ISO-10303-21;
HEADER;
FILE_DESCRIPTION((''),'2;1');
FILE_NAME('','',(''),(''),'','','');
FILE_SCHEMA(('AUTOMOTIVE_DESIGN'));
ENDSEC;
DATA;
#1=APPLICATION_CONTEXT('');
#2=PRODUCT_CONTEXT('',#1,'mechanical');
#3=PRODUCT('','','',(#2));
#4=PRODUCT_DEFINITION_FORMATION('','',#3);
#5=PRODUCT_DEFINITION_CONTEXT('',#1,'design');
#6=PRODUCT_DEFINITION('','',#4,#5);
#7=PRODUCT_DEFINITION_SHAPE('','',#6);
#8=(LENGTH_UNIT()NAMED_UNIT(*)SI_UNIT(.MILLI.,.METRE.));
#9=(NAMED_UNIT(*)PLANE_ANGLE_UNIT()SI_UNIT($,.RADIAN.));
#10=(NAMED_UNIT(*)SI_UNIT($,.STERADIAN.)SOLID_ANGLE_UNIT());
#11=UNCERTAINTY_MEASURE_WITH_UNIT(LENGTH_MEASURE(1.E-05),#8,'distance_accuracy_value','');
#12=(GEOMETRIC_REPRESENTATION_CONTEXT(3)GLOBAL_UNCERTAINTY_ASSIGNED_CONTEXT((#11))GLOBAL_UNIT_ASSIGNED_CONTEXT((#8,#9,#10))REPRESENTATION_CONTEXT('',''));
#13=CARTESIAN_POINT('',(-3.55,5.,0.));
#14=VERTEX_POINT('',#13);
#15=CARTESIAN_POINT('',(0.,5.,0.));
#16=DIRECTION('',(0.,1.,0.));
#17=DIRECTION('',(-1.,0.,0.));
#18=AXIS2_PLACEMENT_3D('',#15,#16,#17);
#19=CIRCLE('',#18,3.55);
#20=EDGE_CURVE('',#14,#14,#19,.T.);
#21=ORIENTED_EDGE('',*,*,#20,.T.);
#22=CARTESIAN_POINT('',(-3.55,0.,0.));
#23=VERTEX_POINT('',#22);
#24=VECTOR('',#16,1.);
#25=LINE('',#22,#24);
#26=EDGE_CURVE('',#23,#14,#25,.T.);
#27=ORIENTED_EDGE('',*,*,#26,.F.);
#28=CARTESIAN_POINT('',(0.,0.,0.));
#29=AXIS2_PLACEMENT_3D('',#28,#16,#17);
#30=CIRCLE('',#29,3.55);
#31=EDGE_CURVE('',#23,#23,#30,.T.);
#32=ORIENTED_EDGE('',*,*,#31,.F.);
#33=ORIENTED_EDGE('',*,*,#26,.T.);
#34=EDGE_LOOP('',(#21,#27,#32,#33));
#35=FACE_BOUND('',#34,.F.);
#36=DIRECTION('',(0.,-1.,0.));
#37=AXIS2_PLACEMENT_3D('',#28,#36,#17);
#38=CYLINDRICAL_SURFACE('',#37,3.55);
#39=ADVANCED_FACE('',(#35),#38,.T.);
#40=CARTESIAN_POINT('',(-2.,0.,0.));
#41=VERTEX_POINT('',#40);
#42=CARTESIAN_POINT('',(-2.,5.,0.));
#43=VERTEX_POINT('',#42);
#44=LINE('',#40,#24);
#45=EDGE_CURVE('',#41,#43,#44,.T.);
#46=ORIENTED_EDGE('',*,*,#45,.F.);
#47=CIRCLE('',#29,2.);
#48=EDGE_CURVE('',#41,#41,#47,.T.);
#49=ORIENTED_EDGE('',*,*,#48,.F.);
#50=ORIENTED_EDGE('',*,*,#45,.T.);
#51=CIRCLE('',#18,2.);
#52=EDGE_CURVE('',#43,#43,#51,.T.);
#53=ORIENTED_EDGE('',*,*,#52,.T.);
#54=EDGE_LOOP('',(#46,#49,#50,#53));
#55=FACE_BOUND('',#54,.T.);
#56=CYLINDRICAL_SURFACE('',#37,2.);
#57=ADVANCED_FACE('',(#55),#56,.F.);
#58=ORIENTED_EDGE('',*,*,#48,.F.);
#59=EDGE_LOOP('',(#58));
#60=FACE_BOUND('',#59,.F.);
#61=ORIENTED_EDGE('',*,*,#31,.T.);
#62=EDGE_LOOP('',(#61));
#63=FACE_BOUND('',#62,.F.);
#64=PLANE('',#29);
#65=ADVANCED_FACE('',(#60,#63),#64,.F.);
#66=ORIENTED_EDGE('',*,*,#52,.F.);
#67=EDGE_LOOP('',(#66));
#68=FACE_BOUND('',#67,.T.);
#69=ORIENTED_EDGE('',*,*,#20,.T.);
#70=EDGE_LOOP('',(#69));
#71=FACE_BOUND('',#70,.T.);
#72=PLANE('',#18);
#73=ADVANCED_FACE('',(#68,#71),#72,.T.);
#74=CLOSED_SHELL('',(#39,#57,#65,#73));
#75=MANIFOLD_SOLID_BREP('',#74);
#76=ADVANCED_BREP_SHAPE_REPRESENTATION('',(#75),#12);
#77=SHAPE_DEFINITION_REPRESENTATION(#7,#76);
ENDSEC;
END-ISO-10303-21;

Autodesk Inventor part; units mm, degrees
ref_plane "YZ Plane" through (0, 0, 0) normal (1, 0, 0) x (0, 1, 0)
ref_plane "XZ Plane" through (0, 0, 0) normal (0, 1, 0) x (-1, 0, 0)
ref_plane "XY Plane" through (0, 0, 0) normal (0, 0, 1) x (1, 0, 0)
sketch "Esquisse1" plane through (0, 0, 0) normal (0, 1, 0) x (-1, 0, 0)
  circle A0 centre (0, 0) radius 2
  circle A1 centre (0, 0) radius 3.55
  dimension "d0" = 7.1
  dimension "d1" = 4
extrude "Extrusion1" add sketch "Esquisse1" along normal blind 5
properties part number "nylon_spacer"
